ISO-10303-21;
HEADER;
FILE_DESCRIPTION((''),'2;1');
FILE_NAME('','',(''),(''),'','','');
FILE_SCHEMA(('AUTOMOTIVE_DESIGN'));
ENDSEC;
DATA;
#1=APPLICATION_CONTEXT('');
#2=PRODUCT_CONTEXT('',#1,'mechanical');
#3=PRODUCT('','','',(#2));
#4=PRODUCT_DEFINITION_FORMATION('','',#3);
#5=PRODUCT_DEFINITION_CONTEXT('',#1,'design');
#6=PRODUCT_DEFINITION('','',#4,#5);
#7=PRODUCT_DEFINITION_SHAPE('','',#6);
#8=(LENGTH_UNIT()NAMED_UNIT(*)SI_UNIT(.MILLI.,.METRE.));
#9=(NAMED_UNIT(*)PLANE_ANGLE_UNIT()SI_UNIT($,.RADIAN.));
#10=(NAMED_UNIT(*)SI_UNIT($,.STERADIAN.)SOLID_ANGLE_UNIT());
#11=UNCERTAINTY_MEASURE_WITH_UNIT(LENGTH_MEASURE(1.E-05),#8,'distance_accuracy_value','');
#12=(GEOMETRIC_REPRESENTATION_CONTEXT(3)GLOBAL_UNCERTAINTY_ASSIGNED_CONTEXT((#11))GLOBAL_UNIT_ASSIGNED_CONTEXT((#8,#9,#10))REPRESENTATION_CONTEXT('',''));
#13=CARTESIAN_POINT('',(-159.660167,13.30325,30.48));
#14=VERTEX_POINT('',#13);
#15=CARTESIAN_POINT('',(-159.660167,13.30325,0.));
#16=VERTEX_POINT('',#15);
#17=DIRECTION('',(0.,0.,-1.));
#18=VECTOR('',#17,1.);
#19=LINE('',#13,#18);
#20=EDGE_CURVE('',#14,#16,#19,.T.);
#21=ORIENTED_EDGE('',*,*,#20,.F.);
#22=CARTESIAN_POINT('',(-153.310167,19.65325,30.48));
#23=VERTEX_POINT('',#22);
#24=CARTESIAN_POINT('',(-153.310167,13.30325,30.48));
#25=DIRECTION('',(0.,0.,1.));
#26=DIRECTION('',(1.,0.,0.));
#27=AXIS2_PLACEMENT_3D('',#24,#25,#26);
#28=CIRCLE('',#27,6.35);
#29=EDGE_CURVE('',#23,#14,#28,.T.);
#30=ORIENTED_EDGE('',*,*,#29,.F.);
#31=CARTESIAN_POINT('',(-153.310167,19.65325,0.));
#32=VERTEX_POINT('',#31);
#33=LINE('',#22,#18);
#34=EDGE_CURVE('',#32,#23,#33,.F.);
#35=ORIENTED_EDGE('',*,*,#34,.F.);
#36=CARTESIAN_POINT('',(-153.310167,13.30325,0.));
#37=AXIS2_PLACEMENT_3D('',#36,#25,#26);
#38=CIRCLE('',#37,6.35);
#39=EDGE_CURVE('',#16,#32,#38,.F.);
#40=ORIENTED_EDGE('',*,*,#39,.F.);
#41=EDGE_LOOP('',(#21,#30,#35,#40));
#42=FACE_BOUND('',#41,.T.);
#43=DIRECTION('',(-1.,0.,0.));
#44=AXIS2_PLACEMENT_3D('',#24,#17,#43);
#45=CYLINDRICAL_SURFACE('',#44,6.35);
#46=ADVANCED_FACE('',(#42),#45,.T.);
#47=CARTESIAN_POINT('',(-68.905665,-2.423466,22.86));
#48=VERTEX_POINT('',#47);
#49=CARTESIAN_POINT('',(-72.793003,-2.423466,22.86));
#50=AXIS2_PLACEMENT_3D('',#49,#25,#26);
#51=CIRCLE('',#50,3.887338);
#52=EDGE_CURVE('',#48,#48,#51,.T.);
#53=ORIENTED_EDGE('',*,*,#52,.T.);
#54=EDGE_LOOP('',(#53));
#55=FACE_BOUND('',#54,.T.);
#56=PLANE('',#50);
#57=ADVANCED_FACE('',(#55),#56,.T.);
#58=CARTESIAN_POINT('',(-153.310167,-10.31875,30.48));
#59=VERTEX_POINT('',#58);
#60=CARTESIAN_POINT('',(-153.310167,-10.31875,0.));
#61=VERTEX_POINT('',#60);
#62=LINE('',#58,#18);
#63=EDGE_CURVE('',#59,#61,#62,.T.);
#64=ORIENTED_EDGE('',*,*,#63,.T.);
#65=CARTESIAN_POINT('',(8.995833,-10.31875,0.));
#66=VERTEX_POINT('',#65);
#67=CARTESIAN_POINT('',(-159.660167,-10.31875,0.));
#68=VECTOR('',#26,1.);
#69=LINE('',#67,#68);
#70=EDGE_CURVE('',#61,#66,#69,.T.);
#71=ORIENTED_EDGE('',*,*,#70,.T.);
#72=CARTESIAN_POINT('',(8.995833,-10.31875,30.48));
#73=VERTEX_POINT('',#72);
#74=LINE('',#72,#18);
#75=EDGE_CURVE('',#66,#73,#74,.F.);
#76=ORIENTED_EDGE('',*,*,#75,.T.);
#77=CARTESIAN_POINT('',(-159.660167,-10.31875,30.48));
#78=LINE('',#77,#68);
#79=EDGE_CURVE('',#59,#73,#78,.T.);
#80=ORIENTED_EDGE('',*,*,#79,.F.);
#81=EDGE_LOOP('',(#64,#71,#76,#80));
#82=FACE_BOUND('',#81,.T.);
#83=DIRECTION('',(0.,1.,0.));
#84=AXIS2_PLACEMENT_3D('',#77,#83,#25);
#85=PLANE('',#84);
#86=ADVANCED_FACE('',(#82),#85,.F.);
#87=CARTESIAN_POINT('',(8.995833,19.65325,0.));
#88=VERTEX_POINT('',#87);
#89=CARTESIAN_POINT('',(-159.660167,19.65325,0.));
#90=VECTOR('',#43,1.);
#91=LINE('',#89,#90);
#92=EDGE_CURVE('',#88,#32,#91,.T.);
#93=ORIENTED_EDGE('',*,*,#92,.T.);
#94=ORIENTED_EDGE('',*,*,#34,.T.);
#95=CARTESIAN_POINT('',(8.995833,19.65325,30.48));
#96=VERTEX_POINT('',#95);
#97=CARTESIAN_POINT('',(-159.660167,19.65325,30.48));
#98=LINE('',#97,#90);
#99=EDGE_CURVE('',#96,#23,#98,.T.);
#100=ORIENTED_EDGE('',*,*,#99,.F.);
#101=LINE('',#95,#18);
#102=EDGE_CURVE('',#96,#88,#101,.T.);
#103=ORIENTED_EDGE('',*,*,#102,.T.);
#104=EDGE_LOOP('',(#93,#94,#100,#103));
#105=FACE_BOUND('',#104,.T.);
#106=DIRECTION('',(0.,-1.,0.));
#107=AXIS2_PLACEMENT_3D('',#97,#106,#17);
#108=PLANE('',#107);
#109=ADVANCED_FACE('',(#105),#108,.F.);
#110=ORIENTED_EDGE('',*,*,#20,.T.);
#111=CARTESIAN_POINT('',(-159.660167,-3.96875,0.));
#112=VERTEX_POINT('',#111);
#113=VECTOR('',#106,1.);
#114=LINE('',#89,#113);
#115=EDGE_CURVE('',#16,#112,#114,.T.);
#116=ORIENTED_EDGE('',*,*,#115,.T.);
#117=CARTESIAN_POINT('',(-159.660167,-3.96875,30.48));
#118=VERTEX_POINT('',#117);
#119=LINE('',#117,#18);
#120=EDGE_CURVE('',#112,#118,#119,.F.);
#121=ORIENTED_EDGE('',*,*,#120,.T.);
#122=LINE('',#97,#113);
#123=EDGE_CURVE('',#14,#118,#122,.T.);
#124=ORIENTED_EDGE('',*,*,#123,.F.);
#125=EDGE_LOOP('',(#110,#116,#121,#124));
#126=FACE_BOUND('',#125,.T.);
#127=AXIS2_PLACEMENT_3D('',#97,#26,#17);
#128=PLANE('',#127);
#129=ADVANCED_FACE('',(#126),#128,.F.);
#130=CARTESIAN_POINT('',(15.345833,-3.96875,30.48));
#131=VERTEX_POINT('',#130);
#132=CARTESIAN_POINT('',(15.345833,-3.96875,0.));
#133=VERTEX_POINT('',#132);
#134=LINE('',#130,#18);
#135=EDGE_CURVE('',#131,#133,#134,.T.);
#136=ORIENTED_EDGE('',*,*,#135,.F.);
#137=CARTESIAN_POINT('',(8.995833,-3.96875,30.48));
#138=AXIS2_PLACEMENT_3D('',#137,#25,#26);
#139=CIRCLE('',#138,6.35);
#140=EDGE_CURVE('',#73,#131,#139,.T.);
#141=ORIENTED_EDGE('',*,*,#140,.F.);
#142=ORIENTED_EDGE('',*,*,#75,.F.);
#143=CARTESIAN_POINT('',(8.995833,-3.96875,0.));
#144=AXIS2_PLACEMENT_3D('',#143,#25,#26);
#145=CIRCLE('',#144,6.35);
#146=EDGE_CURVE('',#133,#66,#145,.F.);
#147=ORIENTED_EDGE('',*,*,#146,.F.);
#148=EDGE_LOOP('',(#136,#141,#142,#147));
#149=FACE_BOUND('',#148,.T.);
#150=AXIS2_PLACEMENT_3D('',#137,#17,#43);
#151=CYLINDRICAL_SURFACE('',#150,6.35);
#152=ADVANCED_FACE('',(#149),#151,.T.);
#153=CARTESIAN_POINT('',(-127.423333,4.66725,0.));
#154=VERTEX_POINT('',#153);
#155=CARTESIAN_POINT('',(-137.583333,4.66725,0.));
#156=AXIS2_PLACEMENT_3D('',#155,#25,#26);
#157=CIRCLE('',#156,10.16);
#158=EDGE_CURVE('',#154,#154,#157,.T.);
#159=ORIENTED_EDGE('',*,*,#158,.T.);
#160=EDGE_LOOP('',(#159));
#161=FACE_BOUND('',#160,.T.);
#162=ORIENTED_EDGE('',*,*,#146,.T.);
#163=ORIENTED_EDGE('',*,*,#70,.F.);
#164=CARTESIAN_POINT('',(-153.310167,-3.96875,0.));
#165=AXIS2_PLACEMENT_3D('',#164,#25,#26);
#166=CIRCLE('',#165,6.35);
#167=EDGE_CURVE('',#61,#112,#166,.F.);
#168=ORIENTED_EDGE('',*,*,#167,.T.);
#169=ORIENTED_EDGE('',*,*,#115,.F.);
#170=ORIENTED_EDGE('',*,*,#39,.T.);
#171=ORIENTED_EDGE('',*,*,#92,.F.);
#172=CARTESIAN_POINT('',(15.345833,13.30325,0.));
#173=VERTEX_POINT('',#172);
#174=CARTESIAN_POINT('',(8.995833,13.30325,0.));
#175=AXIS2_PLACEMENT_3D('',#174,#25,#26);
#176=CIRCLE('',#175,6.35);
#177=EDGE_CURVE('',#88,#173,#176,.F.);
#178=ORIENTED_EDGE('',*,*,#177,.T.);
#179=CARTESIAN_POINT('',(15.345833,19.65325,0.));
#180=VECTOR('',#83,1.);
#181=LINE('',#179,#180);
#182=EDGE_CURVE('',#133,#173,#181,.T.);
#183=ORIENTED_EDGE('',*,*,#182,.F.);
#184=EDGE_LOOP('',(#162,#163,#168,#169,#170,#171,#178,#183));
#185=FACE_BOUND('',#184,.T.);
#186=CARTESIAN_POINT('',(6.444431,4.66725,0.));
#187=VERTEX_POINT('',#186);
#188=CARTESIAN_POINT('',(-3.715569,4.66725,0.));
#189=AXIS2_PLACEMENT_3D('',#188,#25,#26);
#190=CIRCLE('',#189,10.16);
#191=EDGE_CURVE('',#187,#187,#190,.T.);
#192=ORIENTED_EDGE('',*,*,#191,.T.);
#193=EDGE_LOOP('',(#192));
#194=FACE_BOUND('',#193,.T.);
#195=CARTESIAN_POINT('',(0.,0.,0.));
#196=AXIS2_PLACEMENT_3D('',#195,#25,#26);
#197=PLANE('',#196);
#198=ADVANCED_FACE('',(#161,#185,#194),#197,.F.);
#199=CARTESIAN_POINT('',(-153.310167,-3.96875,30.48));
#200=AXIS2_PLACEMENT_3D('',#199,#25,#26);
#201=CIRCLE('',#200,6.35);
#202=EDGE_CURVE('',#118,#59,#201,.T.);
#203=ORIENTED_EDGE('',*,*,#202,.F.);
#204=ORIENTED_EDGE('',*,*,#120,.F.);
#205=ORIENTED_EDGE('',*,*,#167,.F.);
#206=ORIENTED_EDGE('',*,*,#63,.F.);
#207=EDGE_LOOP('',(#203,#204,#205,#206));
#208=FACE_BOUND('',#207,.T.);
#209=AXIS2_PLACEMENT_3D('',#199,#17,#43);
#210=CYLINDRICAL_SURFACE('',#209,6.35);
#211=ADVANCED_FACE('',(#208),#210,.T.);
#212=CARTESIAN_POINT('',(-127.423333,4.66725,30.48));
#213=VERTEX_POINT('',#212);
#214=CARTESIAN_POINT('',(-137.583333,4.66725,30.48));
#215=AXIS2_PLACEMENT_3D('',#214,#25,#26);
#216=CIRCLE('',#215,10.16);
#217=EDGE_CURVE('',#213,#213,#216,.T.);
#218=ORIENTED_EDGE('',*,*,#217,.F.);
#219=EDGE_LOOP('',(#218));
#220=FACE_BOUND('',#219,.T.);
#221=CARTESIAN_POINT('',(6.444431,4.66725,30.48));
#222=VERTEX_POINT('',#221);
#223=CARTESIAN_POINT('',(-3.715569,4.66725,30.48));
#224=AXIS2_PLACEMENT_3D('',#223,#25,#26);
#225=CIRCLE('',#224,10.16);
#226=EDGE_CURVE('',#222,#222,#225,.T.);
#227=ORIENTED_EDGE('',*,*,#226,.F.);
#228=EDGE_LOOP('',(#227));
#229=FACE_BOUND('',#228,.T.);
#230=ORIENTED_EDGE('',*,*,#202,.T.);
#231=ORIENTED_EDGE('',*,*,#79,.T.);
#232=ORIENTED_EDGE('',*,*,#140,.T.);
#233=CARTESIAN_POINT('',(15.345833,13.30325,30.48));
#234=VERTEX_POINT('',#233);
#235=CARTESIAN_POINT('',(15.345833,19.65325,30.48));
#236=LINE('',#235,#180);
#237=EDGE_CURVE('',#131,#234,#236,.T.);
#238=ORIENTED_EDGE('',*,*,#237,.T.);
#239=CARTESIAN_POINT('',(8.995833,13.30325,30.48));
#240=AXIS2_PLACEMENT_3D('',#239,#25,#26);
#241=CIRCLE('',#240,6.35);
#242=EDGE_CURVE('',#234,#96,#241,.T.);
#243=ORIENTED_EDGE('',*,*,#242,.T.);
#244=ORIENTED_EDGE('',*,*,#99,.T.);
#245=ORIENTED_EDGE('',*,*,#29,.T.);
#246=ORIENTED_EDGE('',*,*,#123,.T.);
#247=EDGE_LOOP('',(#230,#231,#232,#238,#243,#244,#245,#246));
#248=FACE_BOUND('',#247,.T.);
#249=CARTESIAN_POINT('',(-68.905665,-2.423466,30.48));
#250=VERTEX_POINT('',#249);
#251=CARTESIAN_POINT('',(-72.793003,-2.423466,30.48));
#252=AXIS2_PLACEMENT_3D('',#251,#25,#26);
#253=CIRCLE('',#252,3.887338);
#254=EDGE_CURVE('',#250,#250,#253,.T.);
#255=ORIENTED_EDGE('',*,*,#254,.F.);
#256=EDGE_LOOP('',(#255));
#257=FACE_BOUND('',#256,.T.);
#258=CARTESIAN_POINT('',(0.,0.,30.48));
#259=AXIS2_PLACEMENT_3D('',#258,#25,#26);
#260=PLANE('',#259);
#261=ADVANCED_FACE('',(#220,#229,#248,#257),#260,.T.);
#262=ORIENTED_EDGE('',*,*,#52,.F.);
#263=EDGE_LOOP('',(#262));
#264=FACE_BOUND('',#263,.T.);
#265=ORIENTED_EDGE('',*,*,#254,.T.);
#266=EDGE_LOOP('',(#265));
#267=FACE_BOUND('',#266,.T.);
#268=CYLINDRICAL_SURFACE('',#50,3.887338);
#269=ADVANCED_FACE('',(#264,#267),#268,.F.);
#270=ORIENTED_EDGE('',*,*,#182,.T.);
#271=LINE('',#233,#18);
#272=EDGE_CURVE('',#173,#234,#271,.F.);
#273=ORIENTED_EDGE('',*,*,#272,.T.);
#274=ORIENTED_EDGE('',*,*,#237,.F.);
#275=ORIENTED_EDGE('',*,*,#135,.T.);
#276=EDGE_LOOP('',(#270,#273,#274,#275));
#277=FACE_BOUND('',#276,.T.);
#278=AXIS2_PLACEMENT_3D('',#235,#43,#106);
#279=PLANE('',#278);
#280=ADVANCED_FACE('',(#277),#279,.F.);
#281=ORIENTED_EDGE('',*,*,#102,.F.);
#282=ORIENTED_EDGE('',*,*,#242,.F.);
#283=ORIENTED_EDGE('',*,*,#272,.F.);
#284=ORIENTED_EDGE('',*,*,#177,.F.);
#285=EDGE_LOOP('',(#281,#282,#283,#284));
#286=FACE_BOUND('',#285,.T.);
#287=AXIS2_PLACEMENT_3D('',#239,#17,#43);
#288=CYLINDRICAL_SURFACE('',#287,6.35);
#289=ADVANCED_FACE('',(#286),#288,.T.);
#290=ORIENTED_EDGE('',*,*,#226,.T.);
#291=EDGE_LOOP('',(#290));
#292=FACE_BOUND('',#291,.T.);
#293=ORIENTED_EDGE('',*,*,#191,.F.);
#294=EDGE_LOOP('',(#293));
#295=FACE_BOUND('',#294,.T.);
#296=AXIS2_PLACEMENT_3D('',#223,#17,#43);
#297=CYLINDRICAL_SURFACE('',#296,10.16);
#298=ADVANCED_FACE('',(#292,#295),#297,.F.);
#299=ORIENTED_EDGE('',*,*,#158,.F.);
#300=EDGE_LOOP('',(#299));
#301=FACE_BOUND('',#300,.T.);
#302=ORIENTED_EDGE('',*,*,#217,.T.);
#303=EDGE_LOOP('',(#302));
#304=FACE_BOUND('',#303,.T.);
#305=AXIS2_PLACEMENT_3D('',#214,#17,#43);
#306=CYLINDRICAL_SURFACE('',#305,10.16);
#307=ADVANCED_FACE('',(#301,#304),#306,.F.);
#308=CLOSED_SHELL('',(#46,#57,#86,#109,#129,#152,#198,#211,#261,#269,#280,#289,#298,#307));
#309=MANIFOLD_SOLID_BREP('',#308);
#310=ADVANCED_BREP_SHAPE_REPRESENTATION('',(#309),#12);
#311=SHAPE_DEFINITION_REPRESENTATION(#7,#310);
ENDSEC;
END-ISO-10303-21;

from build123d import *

# Parameters (mm, degrees)
SKETCH5_W            = 175.006
SKETCH5_H            = 29.972
SKETCH5_R            = 10.16
BOSS_EXTRUDE11_DEPTH = 30.48
SKETCH7_R            = 3.887338421
CUT_EXTRUDE6_DEPTH   = 7.62
FILLET1_R            = 6.35


with BuildPart() as part:
    # Sketch5 → Boss-Extrude11 (new body)
    with BuildSketch(Plane.XY):
        with Locations((-72.157166667, 4.66725)):
            Rectangle(SKETCH5_W, SKETCH5_H)
        with Locations((-137.583333333, 4.66725)):
            Circle(SKETCH5_R, mode=Mode.SUBTRACT)
        with Locations((-3.715568727, 4.66725)):
            Circle(SKETCH5_R, mode=Mode.SUBTRACT)
    extrude(amount=BOSS_EXTRUDE11_DEPTH)

    # Sketch7 → Cut-Extrude6 (cut)
    with BuildSketch(Plane.XY.offset(30.48)):
        with Locations((-72.793003422, -2.423465595)):
            Circle(SKETCH7_R)
    extrude(amount=-CUT_EXTRUDE6_DEPTH, mode=Mode.SUBTRACT)

    # Fillet1
    fillet1_edges = [part.edges().sort_by_distance(p)[0] for p in [
        (15.345833333, -10.31875, 15.24),
        (-159.660166667, -10.31875, 15.24),
        (-159.660166667, 19.65325, 15.24),
        (15.345833333, 19.65325, 15.24),
    ]]
    fillet(fillet1_edges, radius=FILLET1_R)


solid = part.part
